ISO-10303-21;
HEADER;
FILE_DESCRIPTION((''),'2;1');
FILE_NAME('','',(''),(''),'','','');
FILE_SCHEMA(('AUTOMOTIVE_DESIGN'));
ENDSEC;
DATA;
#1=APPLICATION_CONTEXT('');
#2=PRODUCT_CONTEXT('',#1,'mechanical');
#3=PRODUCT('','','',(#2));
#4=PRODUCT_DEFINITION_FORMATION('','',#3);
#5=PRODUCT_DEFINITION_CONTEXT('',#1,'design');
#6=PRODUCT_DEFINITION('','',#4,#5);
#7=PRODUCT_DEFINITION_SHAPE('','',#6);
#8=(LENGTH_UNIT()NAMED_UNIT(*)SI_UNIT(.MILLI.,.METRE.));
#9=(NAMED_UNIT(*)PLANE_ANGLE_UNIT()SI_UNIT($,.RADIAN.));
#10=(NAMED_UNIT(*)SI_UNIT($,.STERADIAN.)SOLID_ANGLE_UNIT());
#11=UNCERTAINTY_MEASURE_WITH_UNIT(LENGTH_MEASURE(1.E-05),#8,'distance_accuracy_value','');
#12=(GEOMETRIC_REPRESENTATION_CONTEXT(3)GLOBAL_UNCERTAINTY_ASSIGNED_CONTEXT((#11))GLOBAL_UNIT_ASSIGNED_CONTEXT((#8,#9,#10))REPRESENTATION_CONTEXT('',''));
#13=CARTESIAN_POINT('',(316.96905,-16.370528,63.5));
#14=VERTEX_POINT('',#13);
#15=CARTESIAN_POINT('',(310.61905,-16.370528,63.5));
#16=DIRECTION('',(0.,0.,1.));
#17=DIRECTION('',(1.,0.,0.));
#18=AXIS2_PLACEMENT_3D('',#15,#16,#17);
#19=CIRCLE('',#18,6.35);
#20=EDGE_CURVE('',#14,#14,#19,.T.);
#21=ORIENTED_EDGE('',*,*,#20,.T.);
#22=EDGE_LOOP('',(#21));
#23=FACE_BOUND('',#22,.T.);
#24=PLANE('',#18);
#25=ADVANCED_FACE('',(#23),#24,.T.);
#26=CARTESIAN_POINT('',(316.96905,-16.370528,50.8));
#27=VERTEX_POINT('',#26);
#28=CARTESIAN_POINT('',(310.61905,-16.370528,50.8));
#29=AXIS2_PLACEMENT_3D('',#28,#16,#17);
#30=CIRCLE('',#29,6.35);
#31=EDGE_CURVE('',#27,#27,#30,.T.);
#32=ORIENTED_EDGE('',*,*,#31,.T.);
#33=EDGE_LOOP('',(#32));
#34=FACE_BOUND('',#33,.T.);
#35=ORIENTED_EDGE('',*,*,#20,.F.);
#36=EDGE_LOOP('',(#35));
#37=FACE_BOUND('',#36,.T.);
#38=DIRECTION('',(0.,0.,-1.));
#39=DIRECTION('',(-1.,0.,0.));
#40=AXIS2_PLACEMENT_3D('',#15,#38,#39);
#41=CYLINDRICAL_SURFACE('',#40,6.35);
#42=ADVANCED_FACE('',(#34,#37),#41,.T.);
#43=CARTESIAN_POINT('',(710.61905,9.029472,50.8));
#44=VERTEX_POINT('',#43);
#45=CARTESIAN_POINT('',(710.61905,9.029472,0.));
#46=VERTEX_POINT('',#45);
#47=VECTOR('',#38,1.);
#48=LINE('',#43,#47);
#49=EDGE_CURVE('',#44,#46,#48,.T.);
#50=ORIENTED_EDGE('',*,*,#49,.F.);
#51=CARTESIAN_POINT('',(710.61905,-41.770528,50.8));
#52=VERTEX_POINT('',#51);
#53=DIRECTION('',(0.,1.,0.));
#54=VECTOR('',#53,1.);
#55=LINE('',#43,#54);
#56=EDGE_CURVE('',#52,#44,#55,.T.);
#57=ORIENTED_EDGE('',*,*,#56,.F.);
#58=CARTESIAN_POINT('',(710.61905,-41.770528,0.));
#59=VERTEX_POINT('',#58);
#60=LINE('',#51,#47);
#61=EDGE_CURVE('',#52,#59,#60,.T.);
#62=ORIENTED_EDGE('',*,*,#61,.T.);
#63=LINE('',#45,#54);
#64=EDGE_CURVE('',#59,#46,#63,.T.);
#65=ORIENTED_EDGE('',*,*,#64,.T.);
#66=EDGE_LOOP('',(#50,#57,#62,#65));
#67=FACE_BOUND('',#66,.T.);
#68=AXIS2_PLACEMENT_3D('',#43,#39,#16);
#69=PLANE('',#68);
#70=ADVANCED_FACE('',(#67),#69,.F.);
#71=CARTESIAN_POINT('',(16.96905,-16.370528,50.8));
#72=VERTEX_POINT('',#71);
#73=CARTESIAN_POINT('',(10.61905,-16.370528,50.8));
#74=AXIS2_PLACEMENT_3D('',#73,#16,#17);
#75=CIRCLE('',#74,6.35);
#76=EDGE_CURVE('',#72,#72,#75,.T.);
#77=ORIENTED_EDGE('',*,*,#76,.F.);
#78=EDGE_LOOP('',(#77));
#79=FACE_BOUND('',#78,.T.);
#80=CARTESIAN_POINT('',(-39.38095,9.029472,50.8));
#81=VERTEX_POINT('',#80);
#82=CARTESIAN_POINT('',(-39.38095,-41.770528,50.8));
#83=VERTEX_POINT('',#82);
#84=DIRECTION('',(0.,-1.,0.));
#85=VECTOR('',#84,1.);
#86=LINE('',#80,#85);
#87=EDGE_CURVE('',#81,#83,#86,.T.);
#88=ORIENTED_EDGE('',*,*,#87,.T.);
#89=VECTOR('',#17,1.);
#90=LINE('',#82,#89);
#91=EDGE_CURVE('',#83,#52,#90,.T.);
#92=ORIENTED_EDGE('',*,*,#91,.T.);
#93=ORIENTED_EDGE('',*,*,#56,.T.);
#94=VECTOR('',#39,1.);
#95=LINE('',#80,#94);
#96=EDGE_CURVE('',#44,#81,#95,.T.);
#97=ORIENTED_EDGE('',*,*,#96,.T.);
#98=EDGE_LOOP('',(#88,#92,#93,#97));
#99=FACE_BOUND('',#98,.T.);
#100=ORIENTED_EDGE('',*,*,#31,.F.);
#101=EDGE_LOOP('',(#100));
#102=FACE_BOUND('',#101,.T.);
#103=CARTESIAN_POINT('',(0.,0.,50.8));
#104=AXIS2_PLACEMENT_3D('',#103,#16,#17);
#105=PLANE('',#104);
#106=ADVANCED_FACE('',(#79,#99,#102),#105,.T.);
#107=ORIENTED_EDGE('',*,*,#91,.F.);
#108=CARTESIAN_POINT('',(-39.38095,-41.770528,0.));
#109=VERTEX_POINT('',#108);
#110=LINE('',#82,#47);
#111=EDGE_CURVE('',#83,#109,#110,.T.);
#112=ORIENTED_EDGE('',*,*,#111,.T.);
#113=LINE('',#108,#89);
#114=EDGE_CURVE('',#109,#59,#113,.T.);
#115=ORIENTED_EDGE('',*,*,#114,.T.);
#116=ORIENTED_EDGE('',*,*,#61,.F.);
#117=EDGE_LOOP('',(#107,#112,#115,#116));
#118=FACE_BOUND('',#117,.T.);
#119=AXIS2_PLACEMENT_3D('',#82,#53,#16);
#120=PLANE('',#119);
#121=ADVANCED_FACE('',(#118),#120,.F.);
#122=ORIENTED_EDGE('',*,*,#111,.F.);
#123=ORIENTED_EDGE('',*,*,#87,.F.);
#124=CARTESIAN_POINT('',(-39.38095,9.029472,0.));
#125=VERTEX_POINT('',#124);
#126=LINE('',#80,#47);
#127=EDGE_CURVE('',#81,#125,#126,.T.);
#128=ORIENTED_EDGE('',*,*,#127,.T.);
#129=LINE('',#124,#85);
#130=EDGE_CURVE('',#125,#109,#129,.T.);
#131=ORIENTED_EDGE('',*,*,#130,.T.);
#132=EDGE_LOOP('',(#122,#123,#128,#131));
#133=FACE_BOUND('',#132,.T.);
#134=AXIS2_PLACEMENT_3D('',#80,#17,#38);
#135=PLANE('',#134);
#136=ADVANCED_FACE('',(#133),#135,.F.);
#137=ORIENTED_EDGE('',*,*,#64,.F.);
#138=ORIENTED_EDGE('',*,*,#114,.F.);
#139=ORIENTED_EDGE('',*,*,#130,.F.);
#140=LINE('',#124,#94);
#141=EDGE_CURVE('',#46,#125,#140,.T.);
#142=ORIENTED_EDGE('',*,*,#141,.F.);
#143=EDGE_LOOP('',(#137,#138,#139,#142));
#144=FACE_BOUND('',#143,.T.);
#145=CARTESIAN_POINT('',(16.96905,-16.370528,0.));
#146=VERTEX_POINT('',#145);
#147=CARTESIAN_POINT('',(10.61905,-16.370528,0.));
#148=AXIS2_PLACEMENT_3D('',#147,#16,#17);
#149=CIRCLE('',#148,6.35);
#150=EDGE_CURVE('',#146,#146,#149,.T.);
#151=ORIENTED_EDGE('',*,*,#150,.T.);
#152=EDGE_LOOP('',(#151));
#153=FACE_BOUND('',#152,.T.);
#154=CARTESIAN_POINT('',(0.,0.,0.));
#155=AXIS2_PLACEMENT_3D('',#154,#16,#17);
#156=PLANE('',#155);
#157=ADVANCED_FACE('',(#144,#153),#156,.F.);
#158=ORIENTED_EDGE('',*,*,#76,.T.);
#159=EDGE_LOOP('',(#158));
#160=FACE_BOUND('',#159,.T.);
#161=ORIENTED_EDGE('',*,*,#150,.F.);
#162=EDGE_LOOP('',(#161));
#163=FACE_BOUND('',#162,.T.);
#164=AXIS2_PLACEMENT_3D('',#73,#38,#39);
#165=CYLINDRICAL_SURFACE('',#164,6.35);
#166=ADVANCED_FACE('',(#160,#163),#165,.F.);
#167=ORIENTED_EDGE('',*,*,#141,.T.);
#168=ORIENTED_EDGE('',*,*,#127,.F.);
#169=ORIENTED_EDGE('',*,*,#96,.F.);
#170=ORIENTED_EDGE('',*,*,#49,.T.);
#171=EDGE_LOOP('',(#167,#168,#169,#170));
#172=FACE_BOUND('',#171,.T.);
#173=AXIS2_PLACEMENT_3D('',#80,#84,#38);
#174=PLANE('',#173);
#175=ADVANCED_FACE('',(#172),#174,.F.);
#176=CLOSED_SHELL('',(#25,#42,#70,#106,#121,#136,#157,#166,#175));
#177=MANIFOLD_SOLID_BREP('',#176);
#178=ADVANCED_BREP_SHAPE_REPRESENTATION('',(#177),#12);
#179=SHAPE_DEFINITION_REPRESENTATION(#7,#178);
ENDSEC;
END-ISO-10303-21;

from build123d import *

# Parameters (mm, degrees)
SKETCH1_W           = 750
SKETCH1_H           = 50.8
SKETCH1_R           = 6.35
BOSS_EXTRUDE1_DEPTH = 50.8
SKETCH2_R           = 6.35
BOSS_EXTRUDE2_DEPTH = 12.7


with BuildPart() as part:
    # Sketch1 → Boss-Extrude1 (new body)
    with BuildSketch(Plane.XY):
        with Locations((335.619050288, -16.370527994)):
            Rectangle(SKETCH1_W, SKETCH1_H)
        with Locations((10.619050288, -16.370527994)):
            Circle(SKETCH1_R, mode=Mode.SUBTRACT)
    extrude(amount=BOSS_EXTRUDE1_DEPTH)

    # Sketch2 → Boss-Extrude2 (add)
    with BuildSketch(Plane.XY.offset(50.8)):
        with Locations((310.619050288, -16.370527994)):
            Circle(SKETCH2_R)
    extrude(amount=BOSS_EXTRUDE2_DEPTH)


solid = part.part
